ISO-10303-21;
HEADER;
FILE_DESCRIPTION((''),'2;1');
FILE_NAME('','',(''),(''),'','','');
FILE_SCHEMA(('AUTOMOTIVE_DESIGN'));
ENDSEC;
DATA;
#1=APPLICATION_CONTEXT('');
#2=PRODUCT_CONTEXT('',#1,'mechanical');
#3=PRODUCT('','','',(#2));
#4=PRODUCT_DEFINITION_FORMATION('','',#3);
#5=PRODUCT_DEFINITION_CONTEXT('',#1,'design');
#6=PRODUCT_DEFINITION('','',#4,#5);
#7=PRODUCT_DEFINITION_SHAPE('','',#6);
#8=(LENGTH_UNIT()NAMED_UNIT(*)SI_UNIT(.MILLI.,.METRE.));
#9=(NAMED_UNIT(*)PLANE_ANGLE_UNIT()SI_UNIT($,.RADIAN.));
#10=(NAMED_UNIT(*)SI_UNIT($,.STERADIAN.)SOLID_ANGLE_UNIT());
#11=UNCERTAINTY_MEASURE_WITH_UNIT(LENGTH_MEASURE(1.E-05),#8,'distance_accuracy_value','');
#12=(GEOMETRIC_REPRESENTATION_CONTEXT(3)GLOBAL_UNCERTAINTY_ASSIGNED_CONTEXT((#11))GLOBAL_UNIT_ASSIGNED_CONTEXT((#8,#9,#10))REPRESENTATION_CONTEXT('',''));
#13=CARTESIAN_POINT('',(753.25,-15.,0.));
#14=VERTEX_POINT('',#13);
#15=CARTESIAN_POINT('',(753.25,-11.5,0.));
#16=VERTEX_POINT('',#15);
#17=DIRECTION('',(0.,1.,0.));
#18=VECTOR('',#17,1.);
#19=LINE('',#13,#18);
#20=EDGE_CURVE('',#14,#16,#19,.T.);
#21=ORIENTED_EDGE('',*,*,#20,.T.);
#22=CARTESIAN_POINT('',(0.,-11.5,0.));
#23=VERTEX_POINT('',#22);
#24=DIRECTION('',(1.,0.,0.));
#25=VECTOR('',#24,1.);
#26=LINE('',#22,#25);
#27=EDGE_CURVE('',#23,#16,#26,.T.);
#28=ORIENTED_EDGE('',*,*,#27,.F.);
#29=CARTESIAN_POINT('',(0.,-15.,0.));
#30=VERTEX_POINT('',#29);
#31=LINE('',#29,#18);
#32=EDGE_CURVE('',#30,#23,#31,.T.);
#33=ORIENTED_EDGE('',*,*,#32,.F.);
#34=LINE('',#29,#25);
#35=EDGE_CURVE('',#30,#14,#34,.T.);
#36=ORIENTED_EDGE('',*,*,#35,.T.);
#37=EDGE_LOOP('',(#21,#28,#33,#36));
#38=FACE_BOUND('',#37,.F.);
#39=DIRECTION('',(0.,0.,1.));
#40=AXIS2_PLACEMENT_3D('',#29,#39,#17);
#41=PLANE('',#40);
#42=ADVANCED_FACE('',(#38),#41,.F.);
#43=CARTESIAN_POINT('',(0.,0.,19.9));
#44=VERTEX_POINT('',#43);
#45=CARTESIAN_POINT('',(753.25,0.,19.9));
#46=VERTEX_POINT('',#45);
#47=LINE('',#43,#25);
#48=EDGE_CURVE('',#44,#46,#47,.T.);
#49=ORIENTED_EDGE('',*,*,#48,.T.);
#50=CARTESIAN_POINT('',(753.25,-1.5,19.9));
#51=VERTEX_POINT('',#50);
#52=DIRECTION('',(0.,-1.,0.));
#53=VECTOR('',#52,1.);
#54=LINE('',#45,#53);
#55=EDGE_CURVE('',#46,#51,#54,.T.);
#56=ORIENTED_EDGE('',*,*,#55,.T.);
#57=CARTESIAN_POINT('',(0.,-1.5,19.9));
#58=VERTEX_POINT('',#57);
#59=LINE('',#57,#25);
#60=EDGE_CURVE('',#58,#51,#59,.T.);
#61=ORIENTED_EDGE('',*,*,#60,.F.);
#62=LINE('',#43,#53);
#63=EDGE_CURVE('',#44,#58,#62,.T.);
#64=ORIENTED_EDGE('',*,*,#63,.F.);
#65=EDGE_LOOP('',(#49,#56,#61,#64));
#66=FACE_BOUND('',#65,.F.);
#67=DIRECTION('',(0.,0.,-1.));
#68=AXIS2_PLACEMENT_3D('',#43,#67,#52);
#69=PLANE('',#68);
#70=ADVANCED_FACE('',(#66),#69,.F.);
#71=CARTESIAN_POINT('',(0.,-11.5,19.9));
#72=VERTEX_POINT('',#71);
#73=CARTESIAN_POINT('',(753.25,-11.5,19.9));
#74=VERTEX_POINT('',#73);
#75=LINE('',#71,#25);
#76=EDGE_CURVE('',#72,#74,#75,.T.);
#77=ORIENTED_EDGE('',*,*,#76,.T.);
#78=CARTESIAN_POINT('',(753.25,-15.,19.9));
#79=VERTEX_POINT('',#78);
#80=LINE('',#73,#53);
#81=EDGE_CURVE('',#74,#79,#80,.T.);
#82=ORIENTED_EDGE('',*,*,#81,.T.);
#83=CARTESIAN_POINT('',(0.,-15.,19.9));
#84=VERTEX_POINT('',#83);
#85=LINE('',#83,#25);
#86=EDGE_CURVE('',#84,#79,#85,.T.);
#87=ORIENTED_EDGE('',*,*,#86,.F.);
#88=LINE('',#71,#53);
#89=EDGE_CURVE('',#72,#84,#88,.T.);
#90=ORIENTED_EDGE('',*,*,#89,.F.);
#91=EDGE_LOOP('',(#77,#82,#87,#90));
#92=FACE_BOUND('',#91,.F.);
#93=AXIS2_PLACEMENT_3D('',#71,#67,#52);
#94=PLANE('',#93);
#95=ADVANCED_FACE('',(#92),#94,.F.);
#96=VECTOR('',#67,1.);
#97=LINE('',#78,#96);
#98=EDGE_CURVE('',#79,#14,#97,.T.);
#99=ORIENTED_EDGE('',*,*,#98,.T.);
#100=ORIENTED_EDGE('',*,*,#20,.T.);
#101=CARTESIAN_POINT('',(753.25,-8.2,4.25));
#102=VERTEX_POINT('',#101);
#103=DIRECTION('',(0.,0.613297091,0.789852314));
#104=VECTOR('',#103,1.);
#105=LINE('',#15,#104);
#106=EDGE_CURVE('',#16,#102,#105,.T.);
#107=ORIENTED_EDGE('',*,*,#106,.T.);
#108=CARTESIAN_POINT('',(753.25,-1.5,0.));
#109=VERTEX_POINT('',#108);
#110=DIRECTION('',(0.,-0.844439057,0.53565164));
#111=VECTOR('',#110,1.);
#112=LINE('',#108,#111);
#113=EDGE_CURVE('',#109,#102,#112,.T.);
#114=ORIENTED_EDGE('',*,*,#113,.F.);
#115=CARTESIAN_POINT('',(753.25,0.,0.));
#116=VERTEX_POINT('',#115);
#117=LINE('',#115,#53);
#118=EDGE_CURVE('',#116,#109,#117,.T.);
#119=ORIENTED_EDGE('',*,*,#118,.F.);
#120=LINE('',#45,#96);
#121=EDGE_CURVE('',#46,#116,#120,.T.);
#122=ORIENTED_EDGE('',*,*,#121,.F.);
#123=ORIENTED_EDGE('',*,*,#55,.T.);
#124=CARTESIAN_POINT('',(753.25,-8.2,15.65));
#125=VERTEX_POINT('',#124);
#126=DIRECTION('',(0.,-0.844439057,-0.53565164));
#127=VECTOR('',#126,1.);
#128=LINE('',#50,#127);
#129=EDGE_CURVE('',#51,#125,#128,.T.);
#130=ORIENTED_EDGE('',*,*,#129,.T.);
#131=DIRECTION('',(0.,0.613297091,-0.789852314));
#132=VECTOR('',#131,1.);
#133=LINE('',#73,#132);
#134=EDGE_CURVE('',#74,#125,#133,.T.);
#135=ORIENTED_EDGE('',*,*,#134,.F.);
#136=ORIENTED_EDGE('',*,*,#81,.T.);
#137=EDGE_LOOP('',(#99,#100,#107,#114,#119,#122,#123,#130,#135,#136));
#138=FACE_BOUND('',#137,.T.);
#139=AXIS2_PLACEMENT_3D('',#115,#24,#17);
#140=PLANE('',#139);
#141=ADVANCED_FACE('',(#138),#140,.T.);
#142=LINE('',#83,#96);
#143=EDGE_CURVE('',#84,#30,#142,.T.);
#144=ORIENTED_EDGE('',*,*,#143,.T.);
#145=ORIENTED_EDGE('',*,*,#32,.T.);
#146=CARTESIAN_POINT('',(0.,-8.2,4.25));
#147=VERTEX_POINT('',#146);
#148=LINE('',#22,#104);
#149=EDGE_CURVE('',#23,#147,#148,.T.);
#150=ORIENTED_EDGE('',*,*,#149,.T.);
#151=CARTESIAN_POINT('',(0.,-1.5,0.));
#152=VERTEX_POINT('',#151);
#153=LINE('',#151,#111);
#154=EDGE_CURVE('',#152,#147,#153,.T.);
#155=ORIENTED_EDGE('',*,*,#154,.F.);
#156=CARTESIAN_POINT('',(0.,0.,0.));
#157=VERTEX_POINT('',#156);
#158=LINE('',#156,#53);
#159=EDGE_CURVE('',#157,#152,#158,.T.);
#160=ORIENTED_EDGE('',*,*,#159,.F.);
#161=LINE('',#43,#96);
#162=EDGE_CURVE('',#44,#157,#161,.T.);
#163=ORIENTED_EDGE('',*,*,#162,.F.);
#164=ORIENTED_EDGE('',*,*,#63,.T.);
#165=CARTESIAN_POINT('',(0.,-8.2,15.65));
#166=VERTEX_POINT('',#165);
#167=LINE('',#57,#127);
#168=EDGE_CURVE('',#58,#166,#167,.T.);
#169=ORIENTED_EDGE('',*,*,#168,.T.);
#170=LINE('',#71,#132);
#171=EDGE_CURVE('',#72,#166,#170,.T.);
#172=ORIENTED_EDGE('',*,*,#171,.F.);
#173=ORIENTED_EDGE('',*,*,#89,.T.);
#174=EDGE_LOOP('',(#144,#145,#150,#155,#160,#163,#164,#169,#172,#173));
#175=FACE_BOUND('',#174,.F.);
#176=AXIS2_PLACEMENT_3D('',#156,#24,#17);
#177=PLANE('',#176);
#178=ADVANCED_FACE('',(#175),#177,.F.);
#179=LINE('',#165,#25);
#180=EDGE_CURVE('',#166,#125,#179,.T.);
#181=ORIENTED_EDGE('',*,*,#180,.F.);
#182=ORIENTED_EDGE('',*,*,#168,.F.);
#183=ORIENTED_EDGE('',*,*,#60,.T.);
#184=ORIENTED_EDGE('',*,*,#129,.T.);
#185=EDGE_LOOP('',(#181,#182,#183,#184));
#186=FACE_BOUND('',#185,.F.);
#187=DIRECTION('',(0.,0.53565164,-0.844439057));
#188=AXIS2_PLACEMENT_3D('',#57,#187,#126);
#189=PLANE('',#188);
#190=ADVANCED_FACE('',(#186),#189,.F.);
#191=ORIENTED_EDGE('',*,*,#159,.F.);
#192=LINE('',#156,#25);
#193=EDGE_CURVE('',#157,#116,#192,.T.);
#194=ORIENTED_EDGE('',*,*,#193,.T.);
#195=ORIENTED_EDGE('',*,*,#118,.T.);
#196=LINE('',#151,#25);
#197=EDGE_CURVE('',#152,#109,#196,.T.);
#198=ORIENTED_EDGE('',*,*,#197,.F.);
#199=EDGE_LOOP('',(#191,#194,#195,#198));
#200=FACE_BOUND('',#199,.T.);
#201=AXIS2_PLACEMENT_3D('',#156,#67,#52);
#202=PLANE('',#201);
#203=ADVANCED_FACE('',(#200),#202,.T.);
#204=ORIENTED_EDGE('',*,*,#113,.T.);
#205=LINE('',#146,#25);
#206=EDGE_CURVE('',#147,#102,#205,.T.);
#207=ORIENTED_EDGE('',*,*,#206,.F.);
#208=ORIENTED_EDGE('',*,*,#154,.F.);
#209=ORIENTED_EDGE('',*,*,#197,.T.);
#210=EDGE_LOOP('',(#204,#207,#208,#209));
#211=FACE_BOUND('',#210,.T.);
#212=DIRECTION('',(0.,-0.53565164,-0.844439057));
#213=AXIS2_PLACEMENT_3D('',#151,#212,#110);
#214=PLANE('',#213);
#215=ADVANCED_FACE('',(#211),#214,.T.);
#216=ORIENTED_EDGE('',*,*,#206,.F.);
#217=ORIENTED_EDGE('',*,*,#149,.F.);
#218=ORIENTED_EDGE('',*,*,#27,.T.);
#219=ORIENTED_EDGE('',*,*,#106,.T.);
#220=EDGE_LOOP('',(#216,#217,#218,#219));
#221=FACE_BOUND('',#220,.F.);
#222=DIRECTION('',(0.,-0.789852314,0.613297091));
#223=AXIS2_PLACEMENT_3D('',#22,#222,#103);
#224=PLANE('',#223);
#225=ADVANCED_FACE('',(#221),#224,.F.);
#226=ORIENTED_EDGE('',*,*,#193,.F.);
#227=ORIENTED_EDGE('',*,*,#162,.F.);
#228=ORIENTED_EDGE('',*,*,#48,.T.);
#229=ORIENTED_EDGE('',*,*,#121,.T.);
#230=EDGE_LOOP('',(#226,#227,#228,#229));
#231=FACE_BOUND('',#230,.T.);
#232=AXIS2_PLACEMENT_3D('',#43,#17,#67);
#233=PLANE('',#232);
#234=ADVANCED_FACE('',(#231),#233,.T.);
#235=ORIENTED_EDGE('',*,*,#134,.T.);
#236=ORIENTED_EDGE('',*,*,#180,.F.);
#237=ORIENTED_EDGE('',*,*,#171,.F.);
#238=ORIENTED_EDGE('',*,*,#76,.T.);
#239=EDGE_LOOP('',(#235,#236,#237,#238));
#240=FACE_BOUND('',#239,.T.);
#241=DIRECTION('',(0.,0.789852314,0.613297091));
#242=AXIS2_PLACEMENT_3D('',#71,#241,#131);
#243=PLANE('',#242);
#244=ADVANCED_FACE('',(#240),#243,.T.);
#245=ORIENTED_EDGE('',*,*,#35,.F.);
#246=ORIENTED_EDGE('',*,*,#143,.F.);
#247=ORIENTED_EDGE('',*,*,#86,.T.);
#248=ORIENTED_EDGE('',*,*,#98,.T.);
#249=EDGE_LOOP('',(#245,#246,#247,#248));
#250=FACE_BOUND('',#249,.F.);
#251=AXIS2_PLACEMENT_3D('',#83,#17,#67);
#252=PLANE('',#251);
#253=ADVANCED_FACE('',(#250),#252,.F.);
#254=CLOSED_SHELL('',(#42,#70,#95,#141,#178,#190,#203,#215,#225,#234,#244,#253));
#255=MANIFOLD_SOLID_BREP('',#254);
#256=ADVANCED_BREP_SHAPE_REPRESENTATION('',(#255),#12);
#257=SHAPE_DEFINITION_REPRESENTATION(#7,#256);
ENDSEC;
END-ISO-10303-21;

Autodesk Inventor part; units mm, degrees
ref_plane "YZ Plane" through (0, 0, 0) normal (1, 0, 0) x (0, 1, 0)
ref_plane "XZ Plane" through (0, 0, 0) normal (0, 1, 0) x (-1, 0, 0)
ref_plane "XY Plane" through (0, 0, 0) normal (0, 0, 1) x (1, 0, 0)
sketch "Sketch1" plane through (0, 0, 0) normal (1, 0, 0) x (0, 1, 0)
  line L0 (-15, 19.9) -> (-15, 0)
  line L1 (-15, 0) -> (-11.5, 0)
  line L2 (-11.5, 0) -> (-8.2, 4.25)
  line L3 (-11.5, 19.9) -> (-8.2, 15.65)
  line L4 (-11.5, 19.9) -> (-15, 19.9)
  line L5 (0, 19.9) -> (-1.5, 19.9)
  line L6 (-1.5, 19.9) -> (-8.2, 15.65)
  line L7 (-1.5, 0) -> (-8.2, 4.25)
  line L8 (0, 0) -> (-1.5, 0)
  line L9 (0, 19.9) -> (0, 0)
  point P0 (0, 0)
  dimension "d9" = 1.5
  dimension "d10" = 1.5
extrude "Extrusion1" add sketch "Sketch1" along normal blind 753.25
properties part number "Track" material "Steel"
